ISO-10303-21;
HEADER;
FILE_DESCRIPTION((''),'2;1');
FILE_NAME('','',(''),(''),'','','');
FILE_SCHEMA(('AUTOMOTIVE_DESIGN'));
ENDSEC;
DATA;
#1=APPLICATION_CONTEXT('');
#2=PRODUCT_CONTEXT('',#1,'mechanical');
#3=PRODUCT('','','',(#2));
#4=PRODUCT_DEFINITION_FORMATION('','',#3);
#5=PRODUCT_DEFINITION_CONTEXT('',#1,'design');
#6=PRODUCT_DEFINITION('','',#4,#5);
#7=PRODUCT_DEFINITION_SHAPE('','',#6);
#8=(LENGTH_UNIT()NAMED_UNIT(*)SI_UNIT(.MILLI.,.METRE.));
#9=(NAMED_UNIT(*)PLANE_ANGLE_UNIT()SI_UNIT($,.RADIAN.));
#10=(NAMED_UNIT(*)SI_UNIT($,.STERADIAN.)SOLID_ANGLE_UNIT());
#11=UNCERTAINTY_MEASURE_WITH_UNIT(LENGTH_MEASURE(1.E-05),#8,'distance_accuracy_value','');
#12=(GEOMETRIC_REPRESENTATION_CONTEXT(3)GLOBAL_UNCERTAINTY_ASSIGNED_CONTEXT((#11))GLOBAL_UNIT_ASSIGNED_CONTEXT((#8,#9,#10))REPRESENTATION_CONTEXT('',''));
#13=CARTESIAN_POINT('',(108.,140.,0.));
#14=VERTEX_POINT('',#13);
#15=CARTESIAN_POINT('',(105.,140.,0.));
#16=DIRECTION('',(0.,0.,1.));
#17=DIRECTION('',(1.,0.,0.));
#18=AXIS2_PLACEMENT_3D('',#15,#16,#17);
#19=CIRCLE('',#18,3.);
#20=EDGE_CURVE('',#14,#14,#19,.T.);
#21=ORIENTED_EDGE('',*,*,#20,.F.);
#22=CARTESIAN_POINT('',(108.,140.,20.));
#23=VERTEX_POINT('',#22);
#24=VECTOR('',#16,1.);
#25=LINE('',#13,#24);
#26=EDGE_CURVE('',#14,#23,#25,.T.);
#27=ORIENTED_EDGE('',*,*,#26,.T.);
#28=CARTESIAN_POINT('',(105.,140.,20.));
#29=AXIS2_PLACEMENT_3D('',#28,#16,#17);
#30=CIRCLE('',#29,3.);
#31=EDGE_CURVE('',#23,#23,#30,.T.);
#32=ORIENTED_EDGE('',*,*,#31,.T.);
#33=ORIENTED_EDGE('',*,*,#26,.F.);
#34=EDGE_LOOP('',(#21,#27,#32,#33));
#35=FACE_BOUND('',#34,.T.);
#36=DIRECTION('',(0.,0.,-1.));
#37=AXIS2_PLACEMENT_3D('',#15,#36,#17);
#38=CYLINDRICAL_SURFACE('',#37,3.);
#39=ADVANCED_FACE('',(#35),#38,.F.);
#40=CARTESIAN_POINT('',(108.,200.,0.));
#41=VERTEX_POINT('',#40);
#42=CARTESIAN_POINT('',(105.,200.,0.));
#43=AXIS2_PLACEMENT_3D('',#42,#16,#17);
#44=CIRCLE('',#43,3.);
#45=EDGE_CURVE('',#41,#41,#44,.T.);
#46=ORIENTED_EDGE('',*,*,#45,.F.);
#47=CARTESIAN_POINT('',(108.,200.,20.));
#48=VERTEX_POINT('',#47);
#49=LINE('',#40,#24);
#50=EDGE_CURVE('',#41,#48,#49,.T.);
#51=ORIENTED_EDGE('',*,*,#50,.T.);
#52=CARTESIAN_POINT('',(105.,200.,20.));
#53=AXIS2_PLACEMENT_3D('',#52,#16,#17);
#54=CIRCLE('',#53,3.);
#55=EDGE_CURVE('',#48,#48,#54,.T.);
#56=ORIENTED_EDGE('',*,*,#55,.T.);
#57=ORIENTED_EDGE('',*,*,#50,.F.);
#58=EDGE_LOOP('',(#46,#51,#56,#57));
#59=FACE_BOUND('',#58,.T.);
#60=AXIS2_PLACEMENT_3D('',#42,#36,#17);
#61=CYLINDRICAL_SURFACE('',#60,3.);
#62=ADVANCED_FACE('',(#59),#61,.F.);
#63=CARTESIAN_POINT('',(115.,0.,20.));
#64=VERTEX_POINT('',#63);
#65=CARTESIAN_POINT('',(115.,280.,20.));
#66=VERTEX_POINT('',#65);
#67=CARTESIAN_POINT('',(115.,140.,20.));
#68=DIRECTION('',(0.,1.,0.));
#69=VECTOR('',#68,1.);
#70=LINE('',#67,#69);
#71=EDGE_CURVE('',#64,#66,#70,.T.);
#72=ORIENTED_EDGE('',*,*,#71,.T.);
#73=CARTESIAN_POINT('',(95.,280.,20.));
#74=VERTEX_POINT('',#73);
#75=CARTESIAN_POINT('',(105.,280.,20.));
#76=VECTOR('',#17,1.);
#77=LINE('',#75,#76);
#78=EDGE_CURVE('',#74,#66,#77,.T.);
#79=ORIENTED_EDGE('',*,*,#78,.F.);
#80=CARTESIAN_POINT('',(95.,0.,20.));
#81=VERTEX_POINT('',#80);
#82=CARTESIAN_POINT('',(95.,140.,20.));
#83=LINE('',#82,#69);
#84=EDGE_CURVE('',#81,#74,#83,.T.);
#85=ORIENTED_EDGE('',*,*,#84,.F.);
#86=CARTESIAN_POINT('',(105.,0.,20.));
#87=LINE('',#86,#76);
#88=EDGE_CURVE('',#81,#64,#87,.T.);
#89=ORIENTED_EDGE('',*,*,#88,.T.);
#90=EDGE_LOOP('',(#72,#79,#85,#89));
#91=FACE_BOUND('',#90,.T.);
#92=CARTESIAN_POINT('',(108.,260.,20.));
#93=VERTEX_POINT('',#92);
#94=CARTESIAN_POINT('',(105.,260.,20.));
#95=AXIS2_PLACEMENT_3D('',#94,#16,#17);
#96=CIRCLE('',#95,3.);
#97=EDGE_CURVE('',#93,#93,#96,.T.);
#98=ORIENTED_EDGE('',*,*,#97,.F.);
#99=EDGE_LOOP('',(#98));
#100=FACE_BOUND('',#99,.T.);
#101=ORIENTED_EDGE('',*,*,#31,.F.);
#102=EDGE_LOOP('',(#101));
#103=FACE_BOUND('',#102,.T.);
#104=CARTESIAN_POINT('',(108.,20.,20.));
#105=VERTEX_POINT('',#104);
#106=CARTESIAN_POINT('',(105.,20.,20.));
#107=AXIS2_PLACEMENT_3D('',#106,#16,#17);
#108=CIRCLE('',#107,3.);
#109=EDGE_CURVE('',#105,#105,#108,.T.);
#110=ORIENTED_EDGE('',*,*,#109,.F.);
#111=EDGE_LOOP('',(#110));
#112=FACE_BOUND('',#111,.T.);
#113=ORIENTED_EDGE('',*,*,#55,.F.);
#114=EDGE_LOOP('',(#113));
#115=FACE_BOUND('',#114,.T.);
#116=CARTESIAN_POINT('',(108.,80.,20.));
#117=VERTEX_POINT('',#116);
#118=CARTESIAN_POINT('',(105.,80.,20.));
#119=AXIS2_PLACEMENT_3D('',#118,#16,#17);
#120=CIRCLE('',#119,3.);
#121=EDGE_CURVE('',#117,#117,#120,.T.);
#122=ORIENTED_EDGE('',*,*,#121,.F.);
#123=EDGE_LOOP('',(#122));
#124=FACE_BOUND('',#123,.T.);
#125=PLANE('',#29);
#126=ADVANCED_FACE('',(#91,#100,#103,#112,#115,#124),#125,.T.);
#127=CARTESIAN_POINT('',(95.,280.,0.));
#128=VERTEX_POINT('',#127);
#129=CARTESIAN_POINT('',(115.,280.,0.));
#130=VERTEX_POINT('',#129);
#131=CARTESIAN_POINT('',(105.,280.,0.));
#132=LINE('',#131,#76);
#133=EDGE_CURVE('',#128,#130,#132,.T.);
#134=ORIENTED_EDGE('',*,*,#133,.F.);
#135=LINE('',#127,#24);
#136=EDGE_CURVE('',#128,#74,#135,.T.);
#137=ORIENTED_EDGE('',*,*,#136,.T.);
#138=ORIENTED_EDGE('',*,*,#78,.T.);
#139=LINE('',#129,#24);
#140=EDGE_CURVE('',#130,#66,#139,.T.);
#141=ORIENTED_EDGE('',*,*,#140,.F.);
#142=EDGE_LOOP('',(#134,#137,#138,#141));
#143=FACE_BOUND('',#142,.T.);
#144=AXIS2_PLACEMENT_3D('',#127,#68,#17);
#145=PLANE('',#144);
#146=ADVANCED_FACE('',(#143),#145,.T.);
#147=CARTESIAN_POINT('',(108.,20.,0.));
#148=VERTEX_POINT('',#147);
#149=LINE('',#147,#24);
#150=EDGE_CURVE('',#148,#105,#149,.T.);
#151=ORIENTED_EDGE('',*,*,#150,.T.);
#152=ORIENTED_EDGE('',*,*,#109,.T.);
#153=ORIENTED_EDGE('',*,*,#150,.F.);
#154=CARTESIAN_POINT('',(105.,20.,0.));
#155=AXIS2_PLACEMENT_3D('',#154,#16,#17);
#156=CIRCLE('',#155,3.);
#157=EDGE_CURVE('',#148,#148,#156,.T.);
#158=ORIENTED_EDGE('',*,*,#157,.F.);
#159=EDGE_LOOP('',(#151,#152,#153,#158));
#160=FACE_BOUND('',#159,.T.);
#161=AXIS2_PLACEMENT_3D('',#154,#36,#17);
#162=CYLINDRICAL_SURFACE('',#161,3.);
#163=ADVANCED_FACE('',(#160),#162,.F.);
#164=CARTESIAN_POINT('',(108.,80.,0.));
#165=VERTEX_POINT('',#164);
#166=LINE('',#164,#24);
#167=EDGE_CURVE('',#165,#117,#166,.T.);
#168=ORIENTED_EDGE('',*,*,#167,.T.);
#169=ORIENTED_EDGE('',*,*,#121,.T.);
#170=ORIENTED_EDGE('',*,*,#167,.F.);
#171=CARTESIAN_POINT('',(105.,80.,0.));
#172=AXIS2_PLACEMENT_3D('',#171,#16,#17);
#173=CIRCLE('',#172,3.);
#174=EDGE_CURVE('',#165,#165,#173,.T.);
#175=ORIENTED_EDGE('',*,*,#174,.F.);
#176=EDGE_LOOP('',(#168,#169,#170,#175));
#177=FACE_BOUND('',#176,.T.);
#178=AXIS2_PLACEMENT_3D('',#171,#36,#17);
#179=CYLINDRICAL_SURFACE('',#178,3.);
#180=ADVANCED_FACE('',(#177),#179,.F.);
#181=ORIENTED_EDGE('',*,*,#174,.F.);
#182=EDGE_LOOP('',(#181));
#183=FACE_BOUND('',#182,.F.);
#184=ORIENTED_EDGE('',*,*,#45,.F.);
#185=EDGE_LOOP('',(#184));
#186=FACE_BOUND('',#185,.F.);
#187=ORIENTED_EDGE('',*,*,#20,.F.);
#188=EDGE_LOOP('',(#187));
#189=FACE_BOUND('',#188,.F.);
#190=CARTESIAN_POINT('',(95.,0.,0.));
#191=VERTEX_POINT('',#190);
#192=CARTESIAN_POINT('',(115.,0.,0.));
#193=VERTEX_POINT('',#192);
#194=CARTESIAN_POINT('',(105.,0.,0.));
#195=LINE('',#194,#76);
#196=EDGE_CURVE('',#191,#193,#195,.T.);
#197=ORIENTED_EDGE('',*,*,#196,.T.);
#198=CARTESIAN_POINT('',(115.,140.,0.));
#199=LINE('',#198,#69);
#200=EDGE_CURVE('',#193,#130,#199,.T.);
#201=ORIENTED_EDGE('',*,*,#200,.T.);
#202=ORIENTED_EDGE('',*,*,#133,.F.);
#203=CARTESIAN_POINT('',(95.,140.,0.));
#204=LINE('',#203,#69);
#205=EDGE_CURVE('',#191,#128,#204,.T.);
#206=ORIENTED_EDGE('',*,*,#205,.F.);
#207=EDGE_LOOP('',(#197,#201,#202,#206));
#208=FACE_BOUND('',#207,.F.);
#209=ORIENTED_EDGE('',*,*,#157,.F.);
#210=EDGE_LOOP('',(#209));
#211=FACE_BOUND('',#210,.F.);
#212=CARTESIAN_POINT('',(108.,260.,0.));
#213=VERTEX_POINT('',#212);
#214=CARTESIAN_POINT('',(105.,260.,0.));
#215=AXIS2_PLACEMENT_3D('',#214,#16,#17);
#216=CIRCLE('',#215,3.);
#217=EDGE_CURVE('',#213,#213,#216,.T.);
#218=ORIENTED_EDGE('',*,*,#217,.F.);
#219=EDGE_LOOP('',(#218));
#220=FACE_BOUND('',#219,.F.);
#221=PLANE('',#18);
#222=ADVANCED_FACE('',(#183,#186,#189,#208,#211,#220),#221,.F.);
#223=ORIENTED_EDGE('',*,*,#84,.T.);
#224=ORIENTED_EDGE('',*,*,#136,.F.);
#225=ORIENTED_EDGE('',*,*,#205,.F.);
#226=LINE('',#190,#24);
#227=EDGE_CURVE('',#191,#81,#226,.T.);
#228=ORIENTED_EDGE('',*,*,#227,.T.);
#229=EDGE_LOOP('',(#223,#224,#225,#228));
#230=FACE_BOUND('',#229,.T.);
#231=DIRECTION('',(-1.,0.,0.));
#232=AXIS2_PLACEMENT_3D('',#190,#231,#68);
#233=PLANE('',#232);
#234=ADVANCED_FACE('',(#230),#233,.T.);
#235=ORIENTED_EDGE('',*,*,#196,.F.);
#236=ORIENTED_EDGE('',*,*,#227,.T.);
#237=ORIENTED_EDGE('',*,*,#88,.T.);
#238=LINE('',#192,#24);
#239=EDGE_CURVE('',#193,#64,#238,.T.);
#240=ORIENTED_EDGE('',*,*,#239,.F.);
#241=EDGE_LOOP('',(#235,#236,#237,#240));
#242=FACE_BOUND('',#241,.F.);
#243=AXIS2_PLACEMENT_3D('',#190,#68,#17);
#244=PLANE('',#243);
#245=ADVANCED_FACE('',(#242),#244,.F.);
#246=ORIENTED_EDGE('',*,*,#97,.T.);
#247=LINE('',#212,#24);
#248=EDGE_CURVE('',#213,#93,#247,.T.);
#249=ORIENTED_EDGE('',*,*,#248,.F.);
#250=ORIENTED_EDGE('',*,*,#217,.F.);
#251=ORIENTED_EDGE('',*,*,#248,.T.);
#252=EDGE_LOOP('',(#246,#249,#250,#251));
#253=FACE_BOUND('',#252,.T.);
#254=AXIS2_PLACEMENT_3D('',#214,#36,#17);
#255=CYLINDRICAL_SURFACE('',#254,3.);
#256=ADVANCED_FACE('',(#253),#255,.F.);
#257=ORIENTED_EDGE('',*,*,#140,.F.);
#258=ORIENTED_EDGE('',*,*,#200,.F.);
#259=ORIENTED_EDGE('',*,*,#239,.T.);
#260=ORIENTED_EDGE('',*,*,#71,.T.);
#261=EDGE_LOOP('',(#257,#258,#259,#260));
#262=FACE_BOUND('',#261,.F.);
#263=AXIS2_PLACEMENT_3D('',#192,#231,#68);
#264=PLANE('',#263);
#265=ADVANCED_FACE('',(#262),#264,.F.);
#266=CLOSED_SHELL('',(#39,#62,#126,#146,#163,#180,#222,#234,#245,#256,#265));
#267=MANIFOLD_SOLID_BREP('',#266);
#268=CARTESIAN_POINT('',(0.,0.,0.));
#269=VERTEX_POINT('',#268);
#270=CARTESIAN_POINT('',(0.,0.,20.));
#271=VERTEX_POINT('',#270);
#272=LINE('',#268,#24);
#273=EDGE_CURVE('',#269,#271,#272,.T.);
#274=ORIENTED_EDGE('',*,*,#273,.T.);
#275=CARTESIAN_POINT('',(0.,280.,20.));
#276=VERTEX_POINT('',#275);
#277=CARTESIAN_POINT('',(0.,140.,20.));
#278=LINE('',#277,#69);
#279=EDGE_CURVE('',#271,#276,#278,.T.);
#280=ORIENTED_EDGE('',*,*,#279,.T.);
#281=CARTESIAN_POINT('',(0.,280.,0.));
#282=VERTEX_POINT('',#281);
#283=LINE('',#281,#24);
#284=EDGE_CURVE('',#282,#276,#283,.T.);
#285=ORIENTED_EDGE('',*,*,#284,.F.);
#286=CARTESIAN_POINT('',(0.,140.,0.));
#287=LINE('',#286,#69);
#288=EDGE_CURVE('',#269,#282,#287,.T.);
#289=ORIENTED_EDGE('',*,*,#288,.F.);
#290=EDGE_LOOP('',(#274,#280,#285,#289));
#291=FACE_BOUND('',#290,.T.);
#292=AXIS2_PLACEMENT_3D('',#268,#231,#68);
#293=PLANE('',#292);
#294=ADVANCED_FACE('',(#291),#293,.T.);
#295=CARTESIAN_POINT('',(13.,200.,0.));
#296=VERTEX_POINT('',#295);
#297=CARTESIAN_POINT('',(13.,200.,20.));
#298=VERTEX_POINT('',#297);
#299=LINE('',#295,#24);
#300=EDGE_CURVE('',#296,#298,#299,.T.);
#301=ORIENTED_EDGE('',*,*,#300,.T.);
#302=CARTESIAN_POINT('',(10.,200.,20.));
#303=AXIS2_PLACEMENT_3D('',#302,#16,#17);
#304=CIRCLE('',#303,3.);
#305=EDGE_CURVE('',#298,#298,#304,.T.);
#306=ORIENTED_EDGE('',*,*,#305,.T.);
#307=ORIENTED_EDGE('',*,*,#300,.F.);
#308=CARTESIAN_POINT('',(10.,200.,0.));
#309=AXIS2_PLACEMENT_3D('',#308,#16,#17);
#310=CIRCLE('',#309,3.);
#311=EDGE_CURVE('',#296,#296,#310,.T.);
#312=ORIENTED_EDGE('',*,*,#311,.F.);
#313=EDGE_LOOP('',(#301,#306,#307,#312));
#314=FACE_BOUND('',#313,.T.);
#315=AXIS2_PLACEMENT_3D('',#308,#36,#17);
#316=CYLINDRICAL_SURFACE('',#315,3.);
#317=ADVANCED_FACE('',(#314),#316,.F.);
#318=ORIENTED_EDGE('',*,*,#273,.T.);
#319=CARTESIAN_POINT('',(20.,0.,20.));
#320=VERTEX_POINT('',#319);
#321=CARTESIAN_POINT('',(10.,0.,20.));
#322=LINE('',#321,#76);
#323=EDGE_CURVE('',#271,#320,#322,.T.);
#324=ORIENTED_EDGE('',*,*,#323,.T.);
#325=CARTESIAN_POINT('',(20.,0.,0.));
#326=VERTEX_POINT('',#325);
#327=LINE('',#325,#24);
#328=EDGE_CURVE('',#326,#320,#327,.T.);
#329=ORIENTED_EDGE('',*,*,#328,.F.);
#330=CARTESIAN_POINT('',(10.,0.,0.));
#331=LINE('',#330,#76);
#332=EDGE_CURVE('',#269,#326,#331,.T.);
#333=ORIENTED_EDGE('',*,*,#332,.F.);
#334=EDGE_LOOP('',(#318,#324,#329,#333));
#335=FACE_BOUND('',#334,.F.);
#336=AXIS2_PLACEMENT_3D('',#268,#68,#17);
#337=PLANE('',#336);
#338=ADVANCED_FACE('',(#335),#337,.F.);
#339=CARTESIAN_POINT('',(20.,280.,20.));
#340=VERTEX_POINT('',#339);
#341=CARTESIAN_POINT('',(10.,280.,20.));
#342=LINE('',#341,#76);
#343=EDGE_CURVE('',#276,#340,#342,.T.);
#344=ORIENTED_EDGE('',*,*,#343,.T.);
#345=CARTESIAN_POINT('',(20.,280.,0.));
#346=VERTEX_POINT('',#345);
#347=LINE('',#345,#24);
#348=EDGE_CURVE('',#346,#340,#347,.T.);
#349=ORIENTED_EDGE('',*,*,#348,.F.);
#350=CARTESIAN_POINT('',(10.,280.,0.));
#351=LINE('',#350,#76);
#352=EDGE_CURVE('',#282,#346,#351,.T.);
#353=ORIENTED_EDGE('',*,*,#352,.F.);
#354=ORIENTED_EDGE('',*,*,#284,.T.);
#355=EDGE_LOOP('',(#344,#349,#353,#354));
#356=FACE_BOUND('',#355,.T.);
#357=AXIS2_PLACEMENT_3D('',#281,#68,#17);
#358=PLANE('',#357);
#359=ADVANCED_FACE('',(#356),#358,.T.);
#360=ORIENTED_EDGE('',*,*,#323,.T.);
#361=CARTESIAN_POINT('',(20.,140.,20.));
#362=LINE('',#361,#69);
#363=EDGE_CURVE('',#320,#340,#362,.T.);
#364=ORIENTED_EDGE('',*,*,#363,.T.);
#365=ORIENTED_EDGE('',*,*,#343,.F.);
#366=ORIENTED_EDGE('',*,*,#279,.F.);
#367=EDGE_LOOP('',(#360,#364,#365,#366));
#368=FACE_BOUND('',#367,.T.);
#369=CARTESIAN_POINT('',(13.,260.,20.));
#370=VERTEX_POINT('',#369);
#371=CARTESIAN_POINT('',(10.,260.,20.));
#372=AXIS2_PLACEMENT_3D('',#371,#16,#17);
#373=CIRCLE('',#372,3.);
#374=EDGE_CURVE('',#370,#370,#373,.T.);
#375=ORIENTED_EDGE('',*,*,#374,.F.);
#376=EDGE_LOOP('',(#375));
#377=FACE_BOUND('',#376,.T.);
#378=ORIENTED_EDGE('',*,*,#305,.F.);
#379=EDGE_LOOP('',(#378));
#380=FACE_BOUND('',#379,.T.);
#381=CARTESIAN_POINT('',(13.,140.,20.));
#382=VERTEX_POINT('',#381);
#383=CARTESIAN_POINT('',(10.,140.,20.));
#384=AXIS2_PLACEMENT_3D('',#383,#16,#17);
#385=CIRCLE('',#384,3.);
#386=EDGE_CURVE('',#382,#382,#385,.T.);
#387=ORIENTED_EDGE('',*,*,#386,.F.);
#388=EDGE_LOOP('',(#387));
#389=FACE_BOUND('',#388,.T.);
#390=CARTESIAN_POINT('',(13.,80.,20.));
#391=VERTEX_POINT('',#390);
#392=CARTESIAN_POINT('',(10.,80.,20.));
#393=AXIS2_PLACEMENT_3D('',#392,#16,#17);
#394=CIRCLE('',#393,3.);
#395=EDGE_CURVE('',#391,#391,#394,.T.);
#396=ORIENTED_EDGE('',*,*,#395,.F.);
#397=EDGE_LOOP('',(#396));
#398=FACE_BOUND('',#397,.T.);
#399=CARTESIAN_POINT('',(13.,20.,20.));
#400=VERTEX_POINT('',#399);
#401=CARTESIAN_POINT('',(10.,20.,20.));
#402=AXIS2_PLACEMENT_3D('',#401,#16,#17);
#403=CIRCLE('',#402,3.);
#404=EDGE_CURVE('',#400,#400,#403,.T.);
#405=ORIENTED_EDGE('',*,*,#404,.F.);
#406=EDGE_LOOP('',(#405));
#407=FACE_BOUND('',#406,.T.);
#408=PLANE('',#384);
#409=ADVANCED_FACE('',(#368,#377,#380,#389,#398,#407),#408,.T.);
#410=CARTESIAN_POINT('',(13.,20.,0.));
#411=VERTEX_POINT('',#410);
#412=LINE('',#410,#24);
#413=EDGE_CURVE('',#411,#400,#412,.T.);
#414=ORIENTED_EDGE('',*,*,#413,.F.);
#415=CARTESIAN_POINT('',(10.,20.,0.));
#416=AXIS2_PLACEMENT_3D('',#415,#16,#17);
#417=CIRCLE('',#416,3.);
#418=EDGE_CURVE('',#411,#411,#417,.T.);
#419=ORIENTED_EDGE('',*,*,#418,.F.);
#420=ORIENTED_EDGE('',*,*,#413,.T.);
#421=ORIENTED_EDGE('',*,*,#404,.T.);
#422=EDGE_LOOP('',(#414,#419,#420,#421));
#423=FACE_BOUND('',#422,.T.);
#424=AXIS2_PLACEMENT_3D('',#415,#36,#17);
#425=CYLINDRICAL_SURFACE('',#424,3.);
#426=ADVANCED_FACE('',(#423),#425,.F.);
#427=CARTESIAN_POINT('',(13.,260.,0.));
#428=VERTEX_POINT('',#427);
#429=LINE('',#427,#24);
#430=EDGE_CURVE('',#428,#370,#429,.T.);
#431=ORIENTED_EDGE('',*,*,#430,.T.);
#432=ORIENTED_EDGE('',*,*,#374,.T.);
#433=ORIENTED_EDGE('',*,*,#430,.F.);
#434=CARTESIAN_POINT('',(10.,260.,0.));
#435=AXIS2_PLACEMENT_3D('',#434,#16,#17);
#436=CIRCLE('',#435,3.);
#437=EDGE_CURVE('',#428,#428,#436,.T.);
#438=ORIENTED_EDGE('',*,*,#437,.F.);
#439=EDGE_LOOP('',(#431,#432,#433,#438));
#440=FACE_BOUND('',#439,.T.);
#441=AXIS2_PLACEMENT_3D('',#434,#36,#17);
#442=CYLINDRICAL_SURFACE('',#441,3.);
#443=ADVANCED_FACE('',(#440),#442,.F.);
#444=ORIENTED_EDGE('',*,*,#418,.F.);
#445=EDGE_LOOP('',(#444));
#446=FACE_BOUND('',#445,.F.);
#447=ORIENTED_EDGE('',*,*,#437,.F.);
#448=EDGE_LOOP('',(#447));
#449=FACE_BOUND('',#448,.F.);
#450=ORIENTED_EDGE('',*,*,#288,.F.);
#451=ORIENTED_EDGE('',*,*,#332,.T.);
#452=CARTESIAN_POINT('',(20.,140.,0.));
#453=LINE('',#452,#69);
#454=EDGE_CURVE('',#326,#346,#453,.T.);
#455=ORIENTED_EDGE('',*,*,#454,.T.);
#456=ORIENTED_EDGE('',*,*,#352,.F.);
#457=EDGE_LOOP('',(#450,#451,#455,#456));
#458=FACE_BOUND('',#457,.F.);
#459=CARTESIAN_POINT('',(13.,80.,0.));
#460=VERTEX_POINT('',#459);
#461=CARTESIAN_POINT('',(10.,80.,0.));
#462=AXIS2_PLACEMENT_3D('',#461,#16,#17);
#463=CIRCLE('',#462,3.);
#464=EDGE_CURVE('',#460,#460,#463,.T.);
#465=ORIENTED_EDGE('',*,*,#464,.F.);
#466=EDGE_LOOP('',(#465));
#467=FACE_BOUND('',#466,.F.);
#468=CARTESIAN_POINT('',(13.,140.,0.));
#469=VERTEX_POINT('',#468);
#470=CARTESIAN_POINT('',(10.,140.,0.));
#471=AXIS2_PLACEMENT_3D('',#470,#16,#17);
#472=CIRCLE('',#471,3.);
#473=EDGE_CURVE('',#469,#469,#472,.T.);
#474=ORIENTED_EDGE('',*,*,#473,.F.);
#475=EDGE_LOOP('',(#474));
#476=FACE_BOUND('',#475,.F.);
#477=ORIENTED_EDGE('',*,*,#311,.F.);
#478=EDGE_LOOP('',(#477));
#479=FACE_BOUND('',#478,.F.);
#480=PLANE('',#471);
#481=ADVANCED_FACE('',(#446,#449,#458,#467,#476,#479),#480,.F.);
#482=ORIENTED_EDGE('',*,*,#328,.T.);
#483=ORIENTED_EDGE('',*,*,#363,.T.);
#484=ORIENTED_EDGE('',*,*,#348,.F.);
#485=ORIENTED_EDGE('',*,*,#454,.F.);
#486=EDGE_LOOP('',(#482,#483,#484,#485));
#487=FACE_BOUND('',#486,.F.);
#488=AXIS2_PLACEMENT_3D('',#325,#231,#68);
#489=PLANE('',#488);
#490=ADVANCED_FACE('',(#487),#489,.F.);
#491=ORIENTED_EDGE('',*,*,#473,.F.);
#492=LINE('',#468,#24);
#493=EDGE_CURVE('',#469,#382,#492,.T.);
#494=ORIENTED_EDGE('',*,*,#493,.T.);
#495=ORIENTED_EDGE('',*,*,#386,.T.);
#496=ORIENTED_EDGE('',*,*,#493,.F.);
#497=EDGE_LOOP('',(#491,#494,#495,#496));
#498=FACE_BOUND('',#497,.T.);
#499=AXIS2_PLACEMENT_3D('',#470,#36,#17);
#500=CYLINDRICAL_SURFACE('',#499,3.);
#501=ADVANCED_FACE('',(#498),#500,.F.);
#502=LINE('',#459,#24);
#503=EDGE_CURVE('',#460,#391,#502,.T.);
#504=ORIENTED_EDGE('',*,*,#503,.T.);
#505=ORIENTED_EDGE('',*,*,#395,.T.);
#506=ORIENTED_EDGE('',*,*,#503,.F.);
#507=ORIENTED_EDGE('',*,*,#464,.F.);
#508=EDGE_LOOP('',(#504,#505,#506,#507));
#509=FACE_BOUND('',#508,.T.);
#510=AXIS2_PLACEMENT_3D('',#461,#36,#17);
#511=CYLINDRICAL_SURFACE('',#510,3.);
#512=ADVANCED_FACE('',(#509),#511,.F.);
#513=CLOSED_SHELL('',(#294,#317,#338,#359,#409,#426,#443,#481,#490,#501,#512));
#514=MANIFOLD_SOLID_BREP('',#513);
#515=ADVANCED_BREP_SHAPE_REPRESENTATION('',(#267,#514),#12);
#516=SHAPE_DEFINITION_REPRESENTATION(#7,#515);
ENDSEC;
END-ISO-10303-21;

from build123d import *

# Parameters (mm, degrees)
F0_W     = 20
F0_H     = 280
F0_R     = 3
F1_DEPTH = 20


with BuildPart() as f1:
    # F0 (on Top) → F1 (new body)
    with BuildSketch(Plane.XY):
        with Locations((10, 140)):
            Rectangle(F0_W, F0_H)
        with Locations((10, 20)):
            Circle(F0_R, mode=Mode.SUBTRACT)
        with Locations((10, 80)):
            Circle(F0_R, mode=Mode.SUBTRACT)
        with Locations((10, 140)):
            Circle(F0_R, mode=Mode.SUBTRACT)
        with Locations((10, 200)):
            Circle(F0_R, mode=Mode.SUBTRACT)
        with Locations((10, 260)):
            Circle(F0_R, mode=Mode.SUBTRACT)
        with Locations((105, 140)):
            Rectangle(F0_W, F0_H)
        with Locations((105, 20)):
            Circle(F0_R, mode=Mode.SUBTRACT)
        with Locations((105, 80)):
            Circle(F0_R, mode=Mode.SUBTRACT)
        with Locations((105, 140)):
            Circle(F0_R, mode=Mode.SUBTRACT)
        with Locations((105, 200)):
            Circle(F0_R, mode=Mode.SUBTRACT)
        with Locations((105, 260)):
            Circle(F0_R, mode=Mode.SUBTRACT)
    extrude(amount=F1_DEPTH)


solid = f1.part
